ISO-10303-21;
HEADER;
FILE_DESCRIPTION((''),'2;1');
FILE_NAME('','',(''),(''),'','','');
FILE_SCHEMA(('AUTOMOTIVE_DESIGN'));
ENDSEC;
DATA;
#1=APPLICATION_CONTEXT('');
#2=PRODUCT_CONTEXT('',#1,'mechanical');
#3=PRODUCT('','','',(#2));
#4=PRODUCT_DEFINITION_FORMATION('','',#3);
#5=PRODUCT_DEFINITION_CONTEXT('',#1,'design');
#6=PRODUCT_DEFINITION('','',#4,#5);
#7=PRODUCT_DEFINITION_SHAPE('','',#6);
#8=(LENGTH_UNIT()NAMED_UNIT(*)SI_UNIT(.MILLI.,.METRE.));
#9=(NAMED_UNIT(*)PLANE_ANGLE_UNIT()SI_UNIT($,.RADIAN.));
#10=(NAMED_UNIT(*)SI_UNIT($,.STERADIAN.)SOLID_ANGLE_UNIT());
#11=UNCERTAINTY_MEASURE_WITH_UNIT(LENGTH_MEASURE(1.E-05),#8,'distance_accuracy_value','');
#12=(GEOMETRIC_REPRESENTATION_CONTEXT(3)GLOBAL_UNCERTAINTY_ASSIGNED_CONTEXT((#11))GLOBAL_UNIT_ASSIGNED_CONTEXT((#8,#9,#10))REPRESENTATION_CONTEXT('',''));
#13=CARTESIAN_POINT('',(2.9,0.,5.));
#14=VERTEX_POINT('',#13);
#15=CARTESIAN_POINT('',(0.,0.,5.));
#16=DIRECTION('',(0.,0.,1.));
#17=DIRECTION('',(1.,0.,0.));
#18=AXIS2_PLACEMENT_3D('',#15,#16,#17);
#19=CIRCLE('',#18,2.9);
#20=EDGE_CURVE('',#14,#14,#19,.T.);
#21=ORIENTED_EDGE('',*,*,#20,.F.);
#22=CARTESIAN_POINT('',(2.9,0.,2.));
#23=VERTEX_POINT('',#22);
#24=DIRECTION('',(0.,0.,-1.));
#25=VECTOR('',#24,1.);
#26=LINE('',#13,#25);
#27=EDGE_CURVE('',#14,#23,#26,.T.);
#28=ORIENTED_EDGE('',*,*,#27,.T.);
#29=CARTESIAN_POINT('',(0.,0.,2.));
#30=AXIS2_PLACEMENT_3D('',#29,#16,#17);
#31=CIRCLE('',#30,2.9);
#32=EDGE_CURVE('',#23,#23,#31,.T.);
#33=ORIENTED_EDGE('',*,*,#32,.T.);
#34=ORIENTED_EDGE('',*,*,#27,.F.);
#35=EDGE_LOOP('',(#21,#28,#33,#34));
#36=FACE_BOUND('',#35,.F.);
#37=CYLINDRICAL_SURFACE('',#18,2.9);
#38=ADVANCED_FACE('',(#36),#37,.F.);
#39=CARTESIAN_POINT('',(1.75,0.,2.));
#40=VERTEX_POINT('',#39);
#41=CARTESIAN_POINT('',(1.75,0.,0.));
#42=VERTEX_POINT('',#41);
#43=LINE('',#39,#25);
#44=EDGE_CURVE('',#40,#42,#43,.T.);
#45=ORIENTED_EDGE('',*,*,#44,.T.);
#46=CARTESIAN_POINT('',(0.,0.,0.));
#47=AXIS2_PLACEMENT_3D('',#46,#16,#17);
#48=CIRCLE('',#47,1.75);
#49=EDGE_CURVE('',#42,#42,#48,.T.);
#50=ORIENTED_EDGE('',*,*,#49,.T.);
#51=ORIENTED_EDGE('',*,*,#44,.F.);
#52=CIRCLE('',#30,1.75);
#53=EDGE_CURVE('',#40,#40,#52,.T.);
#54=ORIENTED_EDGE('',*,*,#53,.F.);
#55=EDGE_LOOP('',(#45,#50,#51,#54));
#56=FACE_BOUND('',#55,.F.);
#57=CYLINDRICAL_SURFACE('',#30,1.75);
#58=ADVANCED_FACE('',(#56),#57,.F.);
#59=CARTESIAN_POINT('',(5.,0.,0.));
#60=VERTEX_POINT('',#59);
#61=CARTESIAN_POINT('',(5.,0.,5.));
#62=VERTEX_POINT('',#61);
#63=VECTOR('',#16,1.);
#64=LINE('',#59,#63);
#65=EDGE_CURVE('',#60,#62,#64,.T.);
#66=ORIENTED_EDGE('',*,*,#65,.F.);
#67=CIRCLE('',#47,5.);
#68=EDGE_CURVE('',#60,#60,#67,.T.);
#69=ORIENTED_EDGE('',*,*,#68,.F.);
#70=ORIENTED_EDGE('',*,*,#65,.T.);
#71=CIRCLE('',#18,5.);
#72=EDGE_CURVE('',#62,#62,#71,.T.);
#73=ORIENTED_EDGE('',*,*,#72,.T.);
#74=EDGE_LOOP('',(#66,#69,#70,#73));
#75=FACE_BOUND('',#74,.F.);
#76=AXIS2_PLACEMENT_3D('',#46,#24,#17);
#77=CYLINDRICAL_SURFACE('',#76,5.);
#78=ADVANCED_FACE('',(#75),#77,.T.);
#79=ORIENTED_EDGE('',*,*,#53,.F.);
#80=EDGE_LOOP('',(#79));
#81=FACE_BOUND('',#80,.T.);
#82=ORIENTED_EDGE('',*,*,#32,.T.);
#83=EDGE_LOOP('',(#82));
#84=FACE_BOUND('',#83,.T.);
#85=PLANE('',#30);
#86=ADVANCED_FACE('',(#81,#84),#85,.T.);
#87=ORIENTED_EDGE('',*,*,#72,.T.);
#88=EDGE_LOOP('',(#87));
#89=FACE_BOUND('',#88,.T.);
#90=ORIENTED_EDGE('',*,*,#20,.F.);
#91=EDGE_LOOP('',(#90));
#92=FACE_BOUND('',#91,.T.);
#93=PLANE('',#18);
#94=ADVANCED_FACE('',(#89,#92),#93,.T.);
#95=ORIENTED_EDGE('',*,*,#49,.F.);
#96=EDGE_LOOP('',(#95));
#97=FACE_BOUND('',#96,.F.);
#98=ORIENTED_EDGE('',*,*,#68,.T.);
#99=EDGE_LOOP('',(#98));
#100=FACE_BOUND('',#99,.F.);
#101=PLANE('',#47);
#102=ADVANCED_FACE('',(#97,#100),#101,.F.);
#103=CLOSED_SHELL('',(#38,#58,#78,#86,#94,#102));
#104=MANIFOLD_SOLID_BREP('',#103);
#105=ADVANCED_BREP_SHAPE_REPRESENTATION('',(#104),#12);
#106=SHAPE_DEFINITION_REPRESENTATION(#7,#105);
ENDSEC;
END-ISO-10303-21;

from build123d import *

# Parameters (mm, degrees)
F0_R     = 5
F1_DEPTH = 5
F2_R     = 2.9
F3_DEPTH = 3
F4_R     = 1.75
F5_DEPTH = 2.001


with BuildPart() as f1:
    # F0 (on Top) → F1 (new body)
    with BuildSketch(Plane.XY):
        Circle(F0_R)
    extrude(amount=F1_DEPTH)

    # F2 (on face) → F3 (cut)
    with BuildSketch(Plane.XY.offset(5)):
        Circle(F2_R)
    extrude(amount=-F3_DEPTH, mode=Mode.SUBTRACT)

    # F4 (on face) → F5 (cut, through all)
    with BuildSketch(Plane.XY.offset(2)):
        Circle(F4_R)
    extrude(amount=-F5_DEPTH, mode=Mode.SUBTRACT)


solid = f1.part
